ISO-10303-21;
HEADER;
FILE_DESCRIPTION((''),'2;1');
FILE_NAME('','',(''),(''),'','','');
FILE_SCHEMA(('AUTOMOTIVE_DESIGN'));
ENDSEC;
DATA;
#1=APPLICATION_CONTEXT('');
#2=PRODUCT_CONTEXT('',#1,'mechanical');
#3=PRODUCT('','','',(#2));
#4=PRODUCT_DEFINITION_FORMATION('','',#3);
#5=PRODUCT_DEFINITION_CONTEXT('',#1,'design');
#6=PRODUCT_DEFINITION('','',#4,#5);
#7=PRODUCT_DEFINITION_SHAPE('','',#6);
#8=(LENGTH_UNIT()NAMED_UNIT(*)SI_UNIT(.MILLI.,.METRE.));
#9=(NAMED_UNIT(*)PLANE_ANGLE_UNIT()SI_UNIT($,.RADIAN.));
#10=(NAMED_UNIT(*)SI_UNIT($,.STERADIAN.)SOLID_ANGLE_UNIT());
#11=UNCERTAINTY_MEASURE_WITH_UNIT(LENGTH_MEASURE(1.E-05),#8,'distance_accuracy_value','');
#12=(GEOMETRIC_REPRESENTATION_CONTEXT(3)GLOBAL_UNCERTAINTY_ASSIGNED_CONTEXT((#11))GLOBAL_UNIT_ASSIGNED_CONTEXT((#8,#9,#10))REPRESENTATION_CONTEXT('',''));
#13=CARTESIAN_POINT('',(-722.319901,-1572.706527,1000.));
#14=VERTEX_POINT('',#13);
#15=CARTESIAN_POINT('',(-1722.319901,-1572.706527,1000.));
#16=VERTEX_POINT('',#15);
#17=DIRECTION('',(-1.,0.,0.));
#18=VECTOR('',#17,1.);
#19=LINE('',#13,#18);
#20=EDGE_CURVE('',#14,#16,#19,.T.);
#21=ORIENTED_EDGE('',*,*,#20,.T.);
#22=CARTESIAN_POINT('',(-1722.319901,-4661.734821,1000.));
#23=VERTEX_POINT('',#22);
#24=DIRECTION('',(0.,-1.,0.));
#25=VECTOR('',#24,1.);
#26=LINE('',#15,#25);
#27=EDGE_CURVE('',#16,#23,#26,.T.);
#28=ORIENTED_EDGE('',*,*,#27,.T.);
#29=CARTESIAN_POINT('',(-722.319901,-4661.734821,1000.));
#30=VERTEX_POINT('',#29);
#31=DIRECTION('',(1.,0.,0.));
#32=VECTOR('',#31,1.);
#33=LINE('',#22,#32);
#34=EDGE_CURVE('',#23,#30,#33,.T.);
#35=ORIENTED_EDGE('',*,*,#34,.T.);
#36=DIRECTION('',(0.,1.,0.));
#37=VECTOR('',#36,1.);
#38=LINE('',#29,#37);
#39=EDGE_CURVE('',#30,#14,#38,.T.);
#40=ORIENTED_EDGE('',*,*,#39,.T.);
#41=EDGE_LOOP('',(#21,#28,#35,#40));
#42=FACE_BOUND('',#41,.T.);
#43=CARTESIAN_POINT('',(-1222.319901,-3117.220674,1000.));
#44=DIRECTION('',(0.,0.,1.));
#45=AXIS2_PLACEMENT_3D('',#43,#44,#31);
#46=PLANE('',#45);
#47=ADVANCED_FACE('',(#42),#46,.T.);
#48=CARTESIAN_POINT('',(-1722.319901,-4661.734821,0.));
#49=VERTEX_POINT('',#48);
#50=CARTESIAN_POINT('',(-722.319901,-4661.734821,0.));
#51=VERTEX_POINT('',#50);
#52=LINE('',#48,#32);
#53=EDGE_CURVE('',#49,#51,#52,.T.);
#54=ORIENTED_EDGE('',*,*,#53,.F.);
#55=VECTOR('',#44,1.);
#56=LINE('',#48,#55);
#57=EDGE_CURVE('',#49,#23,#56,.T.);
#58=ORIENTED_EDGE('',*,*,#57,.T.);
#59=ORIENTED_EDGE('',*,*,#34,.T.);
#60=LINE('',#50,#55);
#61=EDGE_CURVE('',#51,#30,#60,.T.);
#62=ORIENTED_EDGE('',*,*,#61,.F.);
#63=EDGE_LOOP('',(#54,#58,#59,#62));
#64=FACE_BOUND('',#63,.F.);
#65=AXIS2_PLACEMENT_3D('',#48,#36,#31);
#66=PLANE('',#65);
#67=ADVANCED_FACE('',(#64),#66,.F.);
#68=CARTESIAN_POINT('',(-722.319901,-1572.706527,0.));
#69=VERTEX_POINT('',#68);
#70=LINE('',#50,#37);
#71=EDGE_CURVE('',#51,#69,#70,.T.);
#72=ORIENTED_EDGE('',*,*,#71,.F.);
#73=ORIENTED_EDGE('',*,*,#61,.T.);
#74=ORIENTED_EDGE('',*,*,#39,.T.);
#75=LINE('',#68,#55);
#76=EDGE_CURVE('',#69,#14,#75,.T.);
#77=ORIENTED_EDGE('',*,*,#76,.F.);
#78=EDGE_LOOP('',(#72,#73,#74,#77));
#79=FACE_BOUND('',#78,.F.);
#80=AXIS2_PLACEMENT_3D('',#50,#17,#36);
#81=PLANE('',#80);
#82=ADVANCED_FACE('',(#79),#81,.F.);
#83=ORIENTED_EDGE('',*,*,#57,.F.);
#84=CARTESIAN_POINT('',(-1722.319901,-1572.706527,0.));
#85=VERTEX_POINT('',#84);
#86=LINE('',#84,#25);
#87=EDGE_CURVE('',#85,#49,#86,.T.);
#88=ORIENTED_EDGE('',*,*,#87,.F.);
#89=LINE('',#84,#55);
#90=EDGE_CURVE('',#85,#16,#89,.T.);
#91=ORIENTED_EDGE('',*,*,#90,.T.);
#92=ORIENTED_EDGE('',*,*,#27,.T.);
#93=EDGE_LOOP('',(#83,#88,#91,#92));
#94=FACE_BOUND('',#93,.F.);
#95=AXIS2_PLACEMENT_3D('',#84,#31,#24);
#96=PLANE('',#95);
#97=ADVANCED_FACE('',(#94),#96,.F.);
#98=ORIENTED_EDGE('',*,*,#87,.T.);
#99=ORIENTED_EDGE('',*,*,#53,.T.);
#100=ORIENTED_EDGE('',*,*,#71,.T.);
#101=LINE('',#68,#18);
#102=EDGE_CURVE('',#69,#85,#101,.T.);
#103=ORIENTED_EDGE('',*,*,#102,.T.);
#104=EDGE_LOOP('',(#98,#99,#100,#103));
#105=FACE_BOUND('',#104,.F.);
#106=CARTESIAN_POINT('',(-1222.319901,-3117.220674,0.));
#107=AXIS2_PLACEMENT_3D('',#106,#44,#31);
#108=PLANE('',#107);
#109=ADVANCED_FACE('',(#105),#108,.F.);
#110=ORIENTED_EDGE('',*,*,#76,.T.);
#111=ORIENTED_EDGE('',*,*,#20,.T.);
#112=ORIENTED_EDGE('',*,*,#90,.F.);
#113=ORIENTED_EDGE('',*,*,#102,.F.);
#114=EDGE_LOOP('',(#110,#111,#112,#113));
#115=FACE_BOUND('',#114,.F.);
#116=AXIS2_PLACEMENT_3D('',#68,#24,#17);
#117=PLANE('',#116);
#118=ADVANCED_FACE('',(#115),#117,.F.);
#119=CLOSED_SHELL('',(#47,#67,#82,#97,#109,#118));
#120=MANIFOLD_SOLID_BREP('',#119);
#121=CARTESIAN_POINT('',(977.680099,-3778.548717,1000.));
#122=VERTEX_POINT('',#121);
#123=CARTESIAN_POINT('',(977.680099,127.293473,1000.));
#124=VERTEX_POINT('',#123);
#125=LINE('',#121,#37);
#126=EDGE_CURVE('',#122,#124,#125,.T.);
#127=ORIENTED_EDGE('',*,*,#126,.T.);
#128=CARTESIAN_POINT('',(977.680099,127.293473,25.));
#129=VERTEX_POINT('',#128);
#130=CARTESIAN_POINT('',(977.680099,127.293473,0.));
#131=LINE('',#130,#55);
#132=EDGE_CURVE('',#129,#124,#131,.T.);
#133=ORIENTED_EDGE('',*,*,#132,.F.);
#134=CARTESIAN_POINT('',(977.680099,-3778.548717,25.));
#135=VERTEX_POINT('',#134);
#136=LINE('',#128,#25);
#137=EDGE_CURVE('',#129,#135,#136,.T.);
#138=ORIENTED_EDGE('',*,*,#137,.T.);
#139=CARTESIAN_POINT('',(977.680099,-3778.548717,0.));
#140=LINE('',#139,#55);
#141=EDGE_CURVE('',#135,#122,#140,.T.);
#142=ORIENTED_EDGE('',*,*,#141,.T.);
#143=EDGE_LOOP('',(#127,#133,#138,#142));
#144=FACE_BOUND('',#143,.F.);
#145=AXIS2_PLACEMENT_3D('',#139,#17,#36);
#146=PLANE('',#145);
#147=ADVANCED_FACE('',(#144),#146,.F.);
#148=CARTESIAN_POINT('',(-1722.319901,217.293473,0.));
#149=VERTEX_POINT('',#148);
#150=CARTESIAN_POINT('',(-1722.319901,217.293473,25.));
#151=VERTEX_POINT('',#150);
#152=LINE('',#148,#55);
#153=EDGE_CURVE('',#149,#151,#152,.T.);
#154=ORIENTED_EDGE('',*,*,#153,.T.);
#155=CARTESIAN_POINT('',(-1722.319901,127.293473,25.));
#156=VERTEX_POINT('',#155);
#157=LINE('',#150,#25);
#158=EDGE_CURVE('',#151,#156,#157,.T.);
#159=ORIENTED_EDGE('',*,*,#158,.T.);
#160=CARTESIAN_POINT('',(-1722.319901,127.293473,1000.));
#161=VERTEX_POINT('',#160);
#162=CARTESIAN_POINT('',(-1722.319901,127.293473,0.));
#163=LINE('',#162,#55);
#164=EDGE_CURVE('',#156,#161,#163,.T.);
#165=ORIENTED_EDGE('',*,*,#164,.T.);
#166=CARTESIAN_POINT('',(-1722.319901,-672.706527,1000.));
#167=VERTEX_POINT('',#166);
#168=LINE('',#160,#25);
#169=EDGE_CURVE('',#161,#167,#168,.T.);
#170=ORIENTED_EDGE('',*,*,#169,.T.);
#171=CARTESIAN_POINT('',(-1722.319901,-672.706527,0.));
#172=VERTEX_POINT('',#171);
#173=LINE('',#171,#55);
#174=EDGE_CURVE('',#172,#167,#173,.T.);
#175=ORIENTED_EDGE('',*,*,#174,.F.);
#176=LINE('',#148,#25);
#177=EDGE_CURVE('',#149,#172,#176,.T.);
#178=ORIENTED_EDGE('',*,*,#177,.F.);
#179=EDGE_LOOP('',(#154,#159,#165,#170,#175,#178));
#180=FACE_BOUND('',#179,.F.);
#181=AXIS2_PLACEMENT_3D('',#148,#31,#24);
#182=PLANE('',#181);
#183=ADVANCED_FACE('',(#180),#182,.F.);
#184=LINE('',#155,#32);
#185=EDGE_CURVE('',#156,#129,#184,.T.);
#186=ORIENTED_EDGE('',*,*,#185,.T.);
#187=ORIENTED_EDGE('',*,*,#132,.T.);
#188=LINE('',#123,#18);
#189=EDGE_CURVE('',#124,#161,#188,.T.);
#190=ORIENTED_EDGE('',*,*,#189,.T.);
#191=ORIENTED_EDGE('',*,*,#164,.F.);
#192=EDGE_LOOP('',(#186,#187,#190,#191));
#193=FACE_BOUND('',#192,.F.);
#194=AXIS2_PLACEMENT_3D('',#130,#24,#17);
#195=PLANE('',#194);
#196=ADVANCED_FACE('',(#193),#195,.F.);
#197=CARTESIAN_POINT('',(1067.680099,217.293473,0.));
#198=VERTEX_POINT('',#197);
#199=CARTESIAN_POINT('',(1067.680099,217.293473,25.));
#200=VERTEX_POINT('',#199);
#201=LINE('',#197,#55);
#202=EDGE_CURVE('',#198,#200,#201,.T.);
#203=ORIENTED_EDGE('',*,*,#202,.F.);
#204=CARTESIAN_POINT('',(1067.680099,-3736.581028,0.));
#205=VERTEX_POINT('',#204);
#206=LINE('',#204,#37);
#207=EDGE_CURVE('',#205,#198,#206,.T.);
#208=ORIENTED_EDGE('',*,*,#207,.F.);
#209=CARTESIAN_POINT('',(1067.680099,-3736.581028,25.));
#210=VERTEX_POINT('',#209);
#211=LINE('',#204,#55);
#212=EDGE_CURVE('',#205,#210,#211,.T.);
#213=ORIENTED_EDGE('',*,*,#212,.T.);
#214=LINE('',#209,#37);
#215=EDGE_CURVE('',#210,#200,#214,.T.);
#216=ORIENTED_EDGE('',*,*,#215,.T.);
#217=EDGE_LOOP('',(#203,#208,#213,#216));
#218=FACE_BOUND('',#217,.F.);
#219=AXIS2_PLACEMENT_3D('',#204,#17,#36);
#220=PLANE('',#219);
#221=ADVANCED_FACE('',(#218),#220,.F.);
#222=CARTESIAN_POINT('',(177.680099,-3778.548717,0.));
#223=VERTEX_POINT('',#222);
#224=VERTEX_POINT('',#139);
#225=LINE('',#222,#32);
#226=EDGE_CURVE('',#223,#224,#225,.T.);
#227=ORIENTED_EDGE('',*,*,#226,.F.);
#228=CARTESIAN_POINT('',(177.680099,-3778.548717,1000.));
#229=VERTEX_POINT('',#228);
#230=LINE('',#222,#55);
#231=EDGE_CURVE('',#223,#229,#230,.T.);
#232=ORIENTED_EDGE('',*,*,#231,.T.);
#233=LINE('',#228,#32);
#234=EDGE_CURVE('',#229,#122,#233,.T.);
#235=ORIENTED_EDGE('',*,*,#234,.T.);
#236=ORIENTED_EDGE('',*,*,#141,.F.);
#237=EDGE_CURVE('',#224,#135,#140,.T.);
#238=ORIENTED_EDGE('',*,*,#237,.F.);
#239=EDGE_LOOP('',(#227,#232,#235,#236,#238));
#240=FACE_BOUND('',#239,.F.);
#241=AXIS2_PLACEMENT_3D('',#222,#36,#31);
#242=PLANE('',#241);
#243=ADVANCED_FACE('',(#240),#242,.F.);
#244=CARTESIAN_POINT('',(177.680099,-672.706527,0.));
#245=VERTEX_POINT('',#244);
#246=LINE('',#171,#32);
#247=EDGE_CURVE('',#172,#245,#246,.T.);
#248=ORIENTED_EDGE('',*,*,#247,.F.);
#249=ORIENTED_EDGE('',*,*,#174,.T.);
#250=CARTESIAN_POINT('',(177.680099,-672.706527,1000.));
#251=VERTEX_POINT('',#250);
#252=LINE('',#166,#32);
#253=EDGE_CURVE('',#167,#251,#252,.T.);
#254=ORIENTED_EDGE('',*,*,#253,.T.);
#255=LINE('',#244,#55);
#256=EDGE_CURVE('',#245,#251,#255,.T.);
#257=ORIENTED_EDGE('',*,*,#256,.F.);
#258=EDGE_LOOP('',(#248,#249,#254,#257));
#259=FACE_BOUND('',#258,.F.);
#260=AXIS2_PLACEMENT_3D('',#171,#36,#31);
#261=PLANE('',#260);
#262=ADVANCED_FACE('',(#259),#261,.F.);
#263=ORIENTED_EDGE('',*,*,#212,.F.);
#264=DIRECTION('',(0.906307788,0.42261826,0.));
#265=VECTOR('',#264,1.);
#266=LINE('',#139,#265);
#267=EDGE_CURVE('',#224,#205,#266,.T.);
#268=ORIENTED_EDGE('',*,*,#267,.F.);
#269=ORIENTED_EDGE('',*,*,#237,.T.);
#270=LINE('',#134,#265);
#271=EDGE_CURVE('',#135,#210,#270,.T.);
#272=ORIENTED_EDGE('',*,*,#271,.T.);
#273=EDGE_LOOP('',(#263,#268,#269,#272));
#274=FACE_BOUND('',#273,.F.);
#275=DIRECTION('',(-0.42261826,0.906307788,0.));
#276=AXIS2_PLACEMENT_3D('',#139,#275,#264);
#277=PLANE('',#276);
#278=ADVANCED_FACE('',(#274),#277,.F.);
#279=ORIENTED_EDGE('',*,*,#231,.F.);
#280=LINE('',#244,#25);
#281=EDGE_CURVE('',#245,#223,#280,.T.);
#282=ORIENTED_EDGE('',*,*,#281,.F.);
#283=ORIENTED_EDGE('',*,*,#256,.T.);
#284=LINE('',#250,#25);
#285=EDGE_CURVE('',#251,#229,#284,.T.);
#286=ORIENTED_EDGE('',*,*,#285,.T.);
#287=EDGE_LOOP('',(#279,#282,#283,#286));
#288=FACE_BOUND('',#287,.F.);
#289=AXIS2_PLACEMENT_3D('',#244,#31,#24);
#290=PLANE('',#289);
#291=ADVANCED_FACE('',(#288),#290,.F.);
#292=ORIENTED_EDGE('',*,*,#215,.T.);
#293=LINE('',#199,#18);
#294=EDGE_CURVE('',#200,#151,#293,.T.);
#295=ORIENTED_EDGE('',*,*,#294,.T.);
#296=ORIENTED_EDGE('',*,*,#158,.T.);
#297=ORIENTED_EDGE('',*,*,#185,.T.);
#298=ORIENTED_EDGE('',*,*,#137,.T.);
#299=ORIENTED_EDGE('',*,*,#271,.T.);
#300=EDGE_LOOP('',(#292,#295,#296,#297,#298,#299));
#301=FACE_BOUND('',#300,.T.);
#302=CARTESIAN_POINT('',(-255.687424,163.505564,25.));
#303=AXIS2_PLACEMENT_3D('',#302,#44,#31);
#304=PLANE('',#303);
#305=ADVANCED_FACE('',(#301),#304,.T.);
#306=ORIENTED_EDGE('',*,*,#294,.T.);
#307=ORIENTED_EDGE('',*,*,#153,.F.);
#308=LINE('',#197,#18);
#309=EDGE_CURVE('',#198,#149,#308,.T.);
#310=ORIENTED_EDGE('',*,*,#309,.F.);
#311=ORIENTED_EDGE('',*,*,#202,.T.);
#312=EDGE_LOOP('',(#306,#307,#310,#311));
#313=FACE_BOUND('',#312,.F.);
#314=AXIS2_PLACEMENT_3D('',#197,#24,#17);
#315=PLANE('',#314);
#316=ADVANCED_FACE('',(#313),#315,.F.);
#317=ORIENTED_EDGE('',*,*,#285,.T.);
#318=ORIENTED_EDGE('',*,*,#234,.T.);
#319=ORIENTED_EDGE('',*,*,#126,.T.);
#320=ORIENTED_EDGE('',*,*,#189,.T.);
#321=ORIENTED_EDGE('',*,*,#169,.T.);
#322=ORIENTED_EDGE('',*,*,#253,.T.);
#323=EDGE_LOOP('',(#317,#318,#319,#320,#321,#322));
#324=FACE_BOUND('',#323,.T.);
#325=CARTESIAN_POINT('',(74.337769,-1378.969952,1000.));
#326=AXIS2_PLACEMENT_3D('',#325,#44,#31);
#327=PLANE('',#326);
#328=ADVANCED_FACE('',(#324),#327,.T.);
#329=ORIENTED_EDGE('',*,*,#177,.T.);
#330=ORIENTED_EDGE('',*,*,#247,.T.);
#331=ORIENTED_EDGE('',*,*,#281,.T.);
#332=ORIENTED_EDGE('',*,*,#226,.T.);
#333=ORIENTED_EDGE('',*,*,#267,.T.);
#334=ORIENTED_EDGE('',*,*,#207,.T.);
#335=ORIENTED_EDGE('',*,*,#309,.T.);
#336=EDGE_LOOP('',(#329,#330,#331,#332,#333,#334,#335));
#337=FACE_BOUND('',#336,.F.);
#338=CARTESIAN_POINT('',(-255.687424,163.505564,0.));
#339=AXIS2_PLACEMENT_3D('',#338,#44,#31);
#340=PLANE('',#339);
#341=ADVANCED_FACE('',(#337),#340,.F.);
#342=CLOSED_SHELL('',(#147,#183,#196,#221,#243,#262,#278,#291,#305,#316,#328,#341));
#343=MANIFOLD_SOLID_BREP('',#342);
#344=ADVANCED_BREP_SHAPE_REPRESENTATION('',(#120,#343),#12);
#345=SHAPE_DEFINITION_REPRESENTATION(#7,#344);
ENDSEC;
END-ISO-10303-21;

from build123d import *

# Parameters (mm, degrees)
F1_DEPTH = 1000
F2_DEPTH = 1000
F3_DEPTH = 25


with BuildPart() as f1:
    # F0 (on Top) → F1 (new body)
    with BuildSketch(Plane.XY):
        Polygon((-722.319901, -1572.706527), (-1722.319901, -1572.706527), (-1722.319901, -3778.548717), (-1722.319901, -4661.734821), (-722.319901, -4661.734821), (-722.319901, -3778.548717), align=None)
    extrude(amount=F1_DEPTH)


with BuildPart() as f2:
    # F0 (on Top) → F2 (new body)
    with BuildSketch(Plane.XY):
        Polygon((977.680099, 127.293473), (-1722.319901, 127.293473), (-1722.319901, -672.706527), (177.680099, -672.706527), (177.680099, -3778.548717), (977.680099, -3778.548717), align=None)
    extrude(amount=F2_DEPTH)

    # F0 (on Top) → F3 (join)
    with BuildSketch(Plane.XY):
        Polygon((-1722.319901, 217.293473), (-1722.319901, 127.293473), (977.680099, 127.293473), (1067.680099, -65.71215), (1067.680099, 217.293473), align=None)
        Polygon((1067.680099, -65.71215), (977.680099, 127.293473), (977.680099, -3778.548717), (1067.680099, -3736.581028), align=None)
    extrude(amount=F3_DEPTH)


solid = Compound([f1.part, f2.part])
